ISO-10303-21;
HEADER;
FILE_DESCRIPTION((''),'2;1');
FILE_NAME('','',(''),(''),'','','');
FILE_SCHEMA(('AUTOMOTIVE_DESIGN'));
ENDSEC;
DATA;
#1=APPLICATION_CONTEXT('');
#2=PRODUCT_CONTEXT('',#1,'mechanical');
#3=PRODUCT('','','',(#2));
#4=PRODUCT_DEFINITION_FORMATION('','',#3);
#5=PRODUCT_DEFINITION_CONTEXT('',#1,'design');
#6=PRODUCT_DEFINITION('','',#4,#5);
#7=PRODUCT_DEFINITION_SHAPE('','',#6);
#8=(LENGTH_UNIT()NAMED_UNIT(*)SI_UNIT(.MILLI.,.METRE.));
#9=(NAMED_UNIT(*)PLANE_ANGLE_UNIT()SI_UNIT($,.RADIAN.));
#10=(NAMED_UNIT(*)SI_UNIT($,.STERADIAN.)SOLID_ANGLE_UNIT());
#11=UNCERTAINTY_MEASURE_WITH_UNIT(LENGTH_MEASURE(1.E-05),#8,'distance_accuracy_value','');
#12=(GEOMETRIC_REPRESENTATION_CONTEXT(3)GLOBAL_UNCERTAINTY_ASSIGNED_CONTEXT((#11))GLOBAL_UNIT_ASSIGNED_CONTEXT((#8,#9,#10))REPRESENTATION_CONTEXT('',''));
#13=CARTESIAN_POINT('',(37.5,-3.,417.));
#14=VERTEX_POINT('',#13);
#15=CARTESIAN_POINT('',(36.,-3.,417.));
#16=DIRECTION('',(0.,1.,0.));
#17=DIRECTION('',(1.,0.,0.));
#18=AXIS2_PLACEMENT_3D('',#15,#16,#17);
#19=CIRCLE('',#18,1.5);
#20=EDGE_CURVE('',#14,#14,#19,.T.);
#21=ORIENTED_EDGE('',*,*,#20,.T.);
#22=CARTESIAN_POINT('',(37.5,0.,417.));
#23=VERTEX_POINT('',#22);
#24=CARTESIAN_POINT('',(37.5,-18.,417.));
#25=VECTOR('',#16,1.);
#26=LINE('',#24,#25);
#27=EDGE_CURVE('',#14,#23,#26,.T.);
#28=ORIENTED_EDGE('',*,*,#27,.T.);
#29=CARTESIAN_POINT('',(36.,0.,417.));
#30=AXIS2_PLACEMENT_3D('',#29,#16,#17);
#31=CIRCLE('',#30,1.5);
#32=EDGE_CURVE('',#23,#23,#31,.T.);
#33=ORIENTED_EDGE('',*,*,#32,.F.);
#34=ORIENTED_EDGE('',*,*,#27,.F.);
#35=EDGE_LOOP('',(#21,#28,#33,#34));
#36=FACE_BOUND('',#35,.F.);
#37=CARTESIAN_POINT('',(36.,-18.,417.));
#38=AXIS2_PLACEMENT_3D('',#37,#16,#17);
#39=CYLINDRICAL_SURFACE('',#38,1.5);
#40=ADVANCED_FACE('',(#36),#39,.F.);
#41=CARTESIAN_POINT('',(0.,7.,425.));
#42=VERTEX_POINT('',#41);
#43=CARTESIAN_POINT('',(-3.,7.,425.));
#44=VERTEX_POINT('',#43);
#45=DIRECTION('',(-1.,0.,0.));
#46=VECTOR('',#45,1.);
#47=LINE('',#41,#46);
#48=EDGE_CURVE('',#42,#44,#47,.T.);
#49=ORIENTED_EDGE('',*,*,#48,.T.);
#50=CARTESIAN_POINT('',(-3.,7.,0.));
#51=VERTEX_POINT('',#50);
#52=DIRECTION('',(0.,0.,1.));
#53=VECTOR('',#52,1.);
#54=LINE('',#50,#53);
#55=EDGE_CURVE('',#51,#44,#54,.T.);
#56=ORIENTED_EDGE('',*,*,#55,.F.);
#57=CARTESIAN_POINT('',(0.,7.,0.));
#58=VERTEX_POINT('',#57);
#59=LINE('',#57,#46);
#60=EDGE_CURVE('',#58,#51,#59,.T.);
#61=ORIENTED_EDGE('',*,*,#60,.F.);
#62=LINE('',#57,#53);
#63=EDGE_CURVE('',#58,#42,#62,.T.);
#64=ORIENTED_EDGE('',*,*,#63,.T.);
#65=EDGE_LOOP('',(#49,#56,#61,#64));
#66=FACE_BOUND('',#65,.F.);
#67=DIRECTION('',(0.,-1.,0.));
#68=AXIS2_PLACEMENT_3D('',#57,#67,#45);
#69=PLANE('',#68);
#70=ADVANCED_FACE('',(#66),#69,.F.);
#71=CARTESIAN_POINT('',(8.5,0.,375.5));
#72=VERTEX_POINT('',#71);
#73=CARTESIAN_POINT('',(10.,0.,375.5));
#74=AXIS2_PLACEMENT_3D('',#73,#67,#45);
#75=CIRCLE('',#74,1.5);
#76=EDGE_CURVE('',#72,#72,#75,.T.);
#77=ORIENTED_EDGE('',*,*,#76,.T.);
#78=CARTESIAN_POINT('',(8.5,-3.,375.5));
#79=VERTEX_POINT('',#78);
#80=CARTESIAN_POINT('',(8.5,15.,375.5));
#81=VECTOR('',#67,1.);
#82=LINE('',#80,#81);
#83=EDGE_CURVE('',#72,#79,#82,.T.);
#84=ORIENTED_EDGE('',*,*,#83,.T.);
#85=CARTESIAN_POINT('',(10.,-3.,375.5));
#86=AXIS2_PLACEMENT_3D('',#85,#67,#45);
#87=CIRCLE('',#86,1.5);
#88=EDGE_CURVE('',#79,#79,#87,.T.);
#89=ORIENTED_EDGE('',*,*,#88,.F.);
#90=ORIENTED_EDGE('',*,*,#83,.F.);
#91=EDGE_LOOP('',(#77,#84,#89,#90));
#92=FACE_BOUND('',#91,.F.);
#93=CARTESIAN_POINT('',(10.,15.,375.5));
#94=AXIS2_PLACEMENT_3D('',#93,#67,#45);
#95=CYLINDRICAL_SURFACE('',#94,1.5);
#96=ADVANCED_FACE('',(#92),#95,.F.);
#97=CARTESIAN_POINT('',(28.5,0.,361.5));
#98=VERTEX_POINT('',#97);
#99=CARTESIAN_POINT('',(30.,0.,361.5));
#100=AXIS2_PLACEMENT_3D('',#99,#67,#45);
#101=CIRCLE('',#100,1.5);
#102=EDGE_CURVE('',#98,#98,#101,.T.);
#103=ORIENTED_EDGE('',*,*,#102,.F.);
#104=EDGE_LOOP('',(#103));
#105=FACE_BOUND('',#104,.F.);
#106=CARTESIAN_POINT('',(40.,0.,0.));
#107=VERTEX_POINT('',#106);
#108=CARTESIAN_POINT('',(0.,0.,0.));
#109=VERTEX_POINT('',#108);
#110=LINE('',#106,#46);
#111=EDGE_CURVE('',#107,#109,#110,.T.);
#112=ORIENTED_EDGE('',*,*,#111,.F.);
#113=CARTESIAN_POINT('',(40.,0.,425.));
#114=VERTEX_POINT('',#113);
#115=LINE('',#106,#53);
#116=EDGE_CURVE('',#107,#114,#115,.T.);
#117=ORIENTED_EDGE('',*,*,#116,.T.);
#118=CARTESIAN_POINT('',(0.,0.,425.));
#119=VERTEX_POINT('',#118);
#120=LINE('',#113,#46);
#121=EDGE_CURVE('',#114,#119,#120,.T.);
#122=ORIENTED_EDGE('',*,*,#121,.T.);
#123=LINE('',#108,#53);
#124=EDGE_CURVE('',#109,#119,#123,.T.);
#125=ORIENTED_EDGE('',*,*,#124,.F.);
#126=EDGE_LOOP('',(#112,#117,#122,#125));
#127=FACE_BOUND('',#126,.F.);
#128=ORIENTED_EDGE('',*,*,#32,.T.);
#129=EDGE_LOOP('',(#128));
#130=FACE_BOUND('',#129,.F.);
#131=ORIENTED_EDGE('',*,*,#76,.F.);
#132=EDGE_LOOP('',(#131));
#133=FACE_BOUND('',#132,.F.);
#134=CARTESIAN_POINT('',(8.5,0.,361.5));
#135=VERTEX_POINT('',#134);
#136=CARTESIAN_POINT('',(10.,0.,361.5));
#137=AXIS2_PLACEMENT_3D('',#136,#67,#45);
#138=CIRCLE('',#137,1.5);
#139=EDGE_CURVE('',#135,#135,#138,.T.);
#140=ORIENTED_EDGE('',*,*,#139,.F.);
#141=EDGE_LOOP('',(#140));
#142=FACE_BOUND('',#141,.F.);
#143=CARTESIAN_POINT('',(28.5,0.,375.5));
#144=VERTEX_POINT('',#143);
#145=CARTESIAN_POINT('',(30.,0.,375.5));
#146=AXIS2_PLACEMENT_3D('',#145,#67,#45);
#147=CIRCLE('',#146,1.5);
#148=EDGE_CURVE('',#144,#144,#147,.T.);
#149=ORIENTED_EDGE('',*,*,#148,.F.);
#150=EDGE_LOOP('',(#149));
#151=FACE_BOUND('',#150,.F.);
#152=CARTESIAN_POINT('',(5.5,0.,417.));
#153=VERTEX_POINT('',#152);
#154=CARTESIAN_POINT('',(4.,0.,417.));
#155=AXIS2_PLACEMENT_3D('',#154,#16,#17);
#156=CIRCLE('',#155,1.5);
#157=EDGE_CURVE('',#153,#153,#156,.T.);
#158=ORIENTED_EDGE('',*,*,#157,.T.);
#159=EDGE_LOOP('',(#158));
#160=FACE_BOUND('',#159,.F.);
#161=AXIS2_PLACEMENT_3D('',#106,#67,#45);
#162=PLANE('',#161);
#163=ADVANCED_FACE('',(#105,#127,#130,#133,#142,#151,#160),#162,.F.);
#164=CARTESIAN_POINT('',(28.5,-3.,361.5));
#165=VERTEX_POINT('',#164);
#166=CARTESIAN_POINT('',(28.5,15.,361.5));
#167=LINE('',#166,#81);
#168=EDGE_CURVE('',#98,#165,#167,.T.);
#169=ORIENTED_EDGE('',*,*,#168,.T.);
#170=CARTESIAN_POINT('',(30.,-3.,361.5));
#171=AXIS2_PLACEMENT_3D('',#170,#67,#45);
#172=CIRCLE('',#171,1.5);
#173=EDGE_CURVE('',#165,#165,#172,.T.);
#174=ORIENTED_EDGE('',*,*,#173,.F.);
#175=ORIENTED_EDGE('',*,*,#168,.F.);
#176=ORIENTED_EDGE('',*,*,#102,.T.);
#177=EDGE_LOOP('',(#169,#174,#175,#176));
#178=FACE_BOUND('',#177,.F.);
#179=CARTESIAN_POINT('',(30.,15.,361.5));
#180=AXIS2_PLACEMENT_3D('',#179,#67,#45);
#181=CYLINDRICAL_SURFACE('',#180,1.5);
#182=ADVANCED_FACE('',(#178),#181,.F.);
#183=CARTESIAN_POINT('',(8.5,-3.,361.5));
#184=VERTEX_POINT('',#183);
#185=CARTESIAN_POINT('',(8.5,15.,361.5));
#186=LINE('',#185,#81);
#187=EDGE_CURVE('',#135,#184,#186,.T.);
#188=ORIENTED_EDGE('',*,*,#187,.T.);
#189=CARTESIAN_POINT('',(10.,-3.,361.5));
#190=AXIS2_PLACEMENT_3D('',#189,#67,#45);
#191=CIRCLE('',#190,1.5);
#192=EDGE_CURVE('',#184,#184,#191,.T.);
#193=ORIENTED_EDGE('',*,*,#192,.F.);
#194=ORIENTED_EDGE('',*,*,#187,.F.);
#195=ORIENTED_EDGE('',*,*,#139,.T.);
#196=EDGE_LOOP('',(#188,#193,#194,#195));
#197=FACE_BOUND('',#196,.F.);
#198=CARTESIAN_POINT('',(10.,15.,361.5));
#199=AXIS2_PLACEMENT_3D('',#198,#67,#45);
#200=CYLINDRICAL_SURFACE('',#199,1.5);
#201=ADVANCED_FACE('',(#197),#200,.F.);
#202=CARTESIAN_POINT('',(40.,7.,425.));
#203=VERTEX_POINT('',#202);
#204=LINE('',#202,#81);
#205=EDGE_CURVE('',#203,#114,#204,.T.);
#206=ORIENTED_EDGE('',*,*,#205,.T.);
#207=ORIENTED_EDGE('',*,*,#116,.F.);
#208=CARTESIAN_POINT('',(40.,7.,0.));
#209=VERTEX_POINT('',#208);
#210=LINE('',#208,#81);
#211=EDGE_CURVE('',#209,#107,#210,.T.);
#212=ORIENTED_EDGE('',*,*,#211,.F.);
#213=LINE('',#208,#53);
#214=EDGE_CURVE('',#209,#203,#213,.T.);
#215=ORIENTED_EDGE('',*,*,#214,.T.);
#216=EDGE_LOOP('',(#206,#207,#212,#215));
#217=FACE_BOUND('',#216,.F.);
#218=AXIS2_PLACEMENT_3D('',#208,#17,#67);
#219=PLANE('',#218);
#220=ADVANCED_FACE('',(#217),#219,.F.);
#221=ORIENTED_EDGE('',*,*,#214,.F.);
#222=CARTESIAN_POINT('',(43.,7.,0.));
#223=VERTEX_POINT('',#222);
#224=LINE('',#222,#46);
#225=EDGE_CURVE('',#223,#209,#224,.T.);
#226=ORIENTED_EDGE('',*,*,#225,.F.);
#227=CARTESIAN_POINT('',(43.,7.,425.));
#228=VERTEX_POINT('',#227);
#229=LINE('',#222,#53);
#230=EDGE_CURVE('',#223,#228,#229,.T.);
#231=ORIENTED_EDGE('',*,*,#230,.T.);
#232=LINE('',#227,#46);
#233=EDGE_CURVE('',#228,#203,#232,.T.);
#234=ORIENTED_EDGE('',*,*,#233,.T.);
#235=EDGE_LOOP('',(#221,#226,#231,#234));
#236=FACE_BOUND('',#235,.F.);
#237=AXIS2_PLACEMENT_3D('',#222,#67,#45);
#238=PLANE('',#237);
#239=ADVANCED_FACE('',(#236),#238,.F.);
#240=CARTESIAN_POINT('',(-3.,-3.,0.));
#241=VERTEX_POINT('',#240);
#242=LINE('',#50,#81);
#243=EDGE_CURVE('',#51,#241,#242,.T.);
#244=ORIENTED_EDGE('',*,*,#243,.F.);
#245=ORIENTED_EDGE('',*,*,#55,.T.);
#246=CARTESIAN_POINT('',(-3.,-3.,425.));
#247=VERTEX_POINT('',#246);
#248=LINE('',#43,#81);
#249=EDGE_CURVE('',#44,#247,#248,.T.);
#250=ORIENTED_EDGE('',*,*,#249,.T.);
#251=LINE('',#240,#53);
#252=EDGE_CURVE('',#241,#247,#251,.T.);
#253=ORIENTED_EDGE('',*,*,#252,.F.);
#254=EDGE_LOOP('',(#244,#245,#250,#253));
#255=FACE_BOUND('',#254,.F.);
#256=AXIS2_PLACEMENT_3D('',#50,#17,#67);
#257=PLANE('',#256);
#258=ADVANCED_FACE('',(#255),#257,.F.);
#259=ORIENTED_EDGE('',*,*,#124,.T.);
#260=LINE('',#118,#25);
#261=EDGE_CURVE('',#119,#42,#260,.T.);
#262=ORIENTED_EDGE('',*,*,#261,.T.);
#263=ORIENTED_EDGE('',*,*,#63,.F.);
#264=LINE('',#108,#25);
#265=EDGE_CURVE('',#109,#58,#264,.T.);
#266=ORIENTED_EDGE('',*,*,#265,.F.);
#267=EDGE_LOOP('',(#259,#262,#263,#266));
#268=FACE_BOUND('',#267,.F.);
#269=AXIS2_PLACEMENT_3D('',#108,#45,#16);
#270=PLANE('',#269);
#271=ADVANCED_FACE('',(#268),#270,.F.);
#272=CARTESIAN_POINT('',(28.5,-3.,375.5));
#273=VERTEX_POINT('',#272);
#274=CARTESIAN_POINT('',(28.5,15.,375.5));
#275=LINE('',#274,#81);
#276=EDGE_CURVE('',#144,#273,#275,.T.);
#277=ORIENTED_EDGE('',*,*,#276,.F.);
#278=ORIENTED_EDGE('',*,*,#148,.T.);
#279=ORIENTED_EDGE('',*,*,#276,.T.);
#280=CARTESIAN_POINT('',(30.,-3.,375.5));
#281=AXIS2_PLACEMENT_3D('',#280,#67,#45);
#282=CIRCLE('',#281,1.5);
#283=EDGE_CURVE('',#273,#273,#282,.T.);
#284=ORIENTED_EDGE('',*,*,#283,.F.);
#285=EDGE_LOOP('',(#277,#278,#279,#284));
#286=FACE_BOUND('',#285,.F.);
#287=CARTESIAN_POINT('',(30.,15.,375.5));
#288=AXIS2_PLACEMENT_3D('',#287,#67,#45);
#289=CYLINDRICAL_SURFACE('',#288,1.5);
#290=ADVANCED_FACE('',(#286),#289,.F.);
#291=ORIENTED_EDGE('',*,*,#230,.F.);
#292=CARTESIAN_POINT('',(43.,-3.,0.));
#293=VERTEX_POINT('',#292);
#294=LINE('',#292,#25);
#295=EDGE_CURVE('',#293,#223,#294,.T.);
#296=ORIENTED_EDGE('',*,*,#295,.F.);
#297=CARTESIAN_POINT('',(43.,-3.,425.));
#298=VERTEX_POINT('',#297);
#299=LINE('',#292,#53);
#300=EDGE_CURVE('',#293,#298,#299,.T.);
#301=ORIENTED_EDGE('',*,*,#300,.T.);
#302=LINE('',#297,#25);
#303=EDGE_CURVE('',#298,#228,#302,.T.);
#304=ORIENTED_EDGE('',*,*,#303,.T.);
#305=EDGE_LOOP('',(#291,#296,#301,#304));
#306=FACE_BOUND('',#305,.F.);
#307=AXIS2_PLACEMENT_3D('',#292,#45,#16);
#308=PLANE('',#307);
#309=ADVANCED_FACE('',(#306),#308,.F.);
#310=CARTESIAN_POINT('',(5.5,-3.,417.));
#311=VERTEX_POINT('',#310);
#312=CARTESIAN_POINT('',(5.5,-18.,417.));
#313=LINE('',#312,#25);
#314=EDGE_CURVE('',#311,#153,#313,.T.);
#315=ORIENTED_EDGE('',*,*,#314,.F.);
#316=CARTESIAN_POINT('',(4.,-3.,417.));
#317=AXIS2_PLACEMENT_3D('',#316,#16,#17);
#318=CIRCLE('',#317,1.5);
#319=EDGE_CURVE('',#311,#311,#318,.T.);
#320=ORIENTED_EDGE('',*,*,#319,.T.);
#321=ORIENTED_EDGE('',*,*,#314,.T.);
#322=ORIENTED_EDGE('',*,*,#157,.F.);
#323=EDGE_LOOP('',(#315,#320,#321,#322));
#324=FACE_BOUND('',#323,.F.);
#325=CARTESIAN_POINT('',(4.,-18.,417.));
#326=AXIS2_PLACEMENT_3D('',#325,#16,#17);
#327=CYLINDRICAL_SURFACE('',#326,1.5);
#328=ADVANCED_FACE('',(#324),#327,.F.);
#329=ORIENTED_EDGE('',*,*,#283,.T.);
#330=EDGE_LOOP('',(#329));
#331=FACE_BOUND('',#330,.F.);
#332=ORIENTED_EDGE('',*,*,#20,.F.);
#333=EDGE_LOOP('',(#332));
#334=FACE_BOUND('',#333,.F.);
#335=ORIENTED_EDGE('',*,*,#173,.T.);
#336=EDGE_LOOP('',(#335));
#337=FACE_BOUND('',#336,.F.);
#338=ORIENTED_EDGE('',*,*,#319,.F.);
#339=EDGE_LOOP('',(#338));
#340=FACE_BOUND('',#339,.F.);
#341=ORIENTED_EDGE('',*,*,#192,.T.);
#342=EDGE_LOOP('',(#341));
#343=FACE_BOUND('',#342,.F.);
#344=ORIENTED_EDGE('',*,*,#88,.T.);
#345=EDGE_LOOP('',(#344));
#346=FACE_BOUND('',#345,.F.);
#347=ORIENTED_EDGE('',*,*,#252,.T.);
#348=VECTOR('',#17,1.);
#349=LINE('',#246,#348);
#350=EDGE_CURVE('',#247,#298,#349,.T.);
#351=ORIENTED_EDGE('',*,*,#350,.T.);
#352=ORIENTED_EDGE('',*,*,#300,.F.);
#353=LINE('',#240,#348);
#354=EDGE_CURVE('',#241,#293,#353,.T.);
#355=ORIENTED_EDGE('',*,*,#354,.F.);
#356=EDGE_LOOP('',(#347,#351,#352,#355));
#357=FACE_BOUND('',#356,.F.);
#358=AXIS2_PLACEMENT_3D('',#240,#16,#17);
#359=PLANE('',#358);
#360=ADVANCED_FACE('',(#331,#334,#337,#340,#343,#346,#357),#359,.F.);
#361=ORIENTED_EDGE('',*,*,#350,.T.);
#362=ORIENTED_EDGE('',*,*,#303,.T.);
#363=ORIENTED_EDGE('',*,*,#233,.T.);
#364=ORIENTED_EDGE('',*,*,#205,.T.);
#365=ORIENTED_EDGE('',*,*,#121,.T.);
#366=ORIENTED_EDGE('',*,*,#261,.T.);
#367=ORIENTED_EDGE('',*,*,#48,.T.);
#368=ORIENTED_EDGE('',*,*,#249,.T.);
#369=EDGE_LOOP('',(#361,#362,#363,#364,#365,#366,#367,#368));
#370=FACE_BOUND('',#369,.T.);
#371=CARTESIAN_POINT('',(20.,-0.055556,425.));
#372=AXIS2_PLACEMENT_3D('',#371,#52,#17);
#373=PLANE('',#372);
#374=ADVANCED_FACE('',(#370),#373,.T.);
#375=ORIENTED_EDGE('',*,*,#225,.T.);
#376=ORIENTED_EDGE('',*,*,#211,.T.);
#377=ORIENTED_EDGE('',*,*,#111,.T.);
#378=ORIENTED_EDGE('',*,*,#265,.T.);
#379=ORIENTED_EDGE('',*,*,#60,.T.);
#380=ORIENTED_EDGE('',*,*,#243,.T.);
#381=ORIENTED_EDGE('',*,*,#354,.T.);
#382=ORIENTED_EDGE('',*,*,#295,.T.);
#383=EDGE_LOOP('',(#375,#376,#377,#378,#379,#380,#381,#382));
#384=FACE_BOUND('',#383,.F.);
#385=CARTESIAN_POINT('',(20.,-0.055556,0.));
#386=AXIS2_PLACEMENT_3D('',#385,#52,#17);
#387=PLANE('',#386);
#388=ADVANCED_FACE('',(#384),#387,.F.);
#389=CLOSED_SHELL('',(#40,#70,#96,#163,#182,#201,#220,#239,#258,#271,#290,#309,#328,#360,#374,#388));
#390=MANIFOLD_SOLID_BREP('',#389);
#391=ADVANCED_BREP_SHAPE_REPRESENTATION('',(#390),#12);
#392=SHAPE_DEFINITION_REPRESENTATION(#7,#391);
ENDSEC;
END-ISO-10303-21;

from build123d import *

# Parameters (mm, degrees)
BOSS_EXTRUDE1_DEPTH       = 425
F_3_0MM_DOWEL_HOLE1_D     = 3
F_3_0MM_DOWEL_HOLE1_DEPTH = 15
F_3_0MM_DOWEL_HOLE1_TIP   = 0.901290929
F_3_0MM_DOWEL_HOLE2_D     = 3
F_3_0MM_DOWEL_HOLE2_DEPTH = 15
F_3_0MM_DOWEL_HOLE2_TIP   = 0.901290929


with BuildPart() as part:
    # Sketch1 → Boss-Extrude1 (new body)
    with BuildSketch(Plane.XY):
        Polygon((0, 0), (0, 7), (-3, 7), (-3, -3), (43, -3), (43, 7), (40, 7), (40, 0), align=None)
    extrude(amount=BOSS_EXTRUDE1_DEPTH)

    # Ø3.0mm Dowel Hole1
    with Locations(Plane(origin=(0, 0, 0), x_dir=(1, 0, 0), z_dir=(0, 1, 0))):
        with Locations((10, -375.5), (30, -375.5), (30, -361.5), (10, -361.5)):
            Hole(F_3_0MM_DOWEL_HOLE1_D / 2, depth=F_3_0MM_DOWEL_HOLE1_DEPTH)
            with Locations((0, 0, -(F_3_0MM_DOWEL_HOLE1_DEPTH + F_3_0MM_DOWEL_HOLE1_TIP / 2))):  # 118° drill point
                Cone(0, F_3_0MM_DOWEL_HOLE1_D / 2, F_3_0MM_DOWEL_HOLE1_TIP, mode=Mode.SUBTRACT)

    # Ø3.0mm Dowel Hole2
    with Locations(Plane(origin=(0, -3, 0), x_dir=(-1, 0, 0), z_dir=(0, -1, 0))):
        with Locations((-36, -417), (-4, -417)):
            Hole(F_3_0MM_DOWEL_HOLE2_D / 2, depth=F_3_0MM_DOWEL_HOLE2_DEPTH)
            with Locations((0, 0, -(F_3_0MM_DOWEL_HOLE2_DEPTH + F_3_0MM_DOWEL_HOLE2_TIP / 2))):  # 118° drill point
                Cone(0, F_3_0MM_DOWEL_HOLE2_D / 2, F_3_0MM_DOWEL_HOLE2_TIP, mode=Mode.SUBTRACT)


solid = part.part
